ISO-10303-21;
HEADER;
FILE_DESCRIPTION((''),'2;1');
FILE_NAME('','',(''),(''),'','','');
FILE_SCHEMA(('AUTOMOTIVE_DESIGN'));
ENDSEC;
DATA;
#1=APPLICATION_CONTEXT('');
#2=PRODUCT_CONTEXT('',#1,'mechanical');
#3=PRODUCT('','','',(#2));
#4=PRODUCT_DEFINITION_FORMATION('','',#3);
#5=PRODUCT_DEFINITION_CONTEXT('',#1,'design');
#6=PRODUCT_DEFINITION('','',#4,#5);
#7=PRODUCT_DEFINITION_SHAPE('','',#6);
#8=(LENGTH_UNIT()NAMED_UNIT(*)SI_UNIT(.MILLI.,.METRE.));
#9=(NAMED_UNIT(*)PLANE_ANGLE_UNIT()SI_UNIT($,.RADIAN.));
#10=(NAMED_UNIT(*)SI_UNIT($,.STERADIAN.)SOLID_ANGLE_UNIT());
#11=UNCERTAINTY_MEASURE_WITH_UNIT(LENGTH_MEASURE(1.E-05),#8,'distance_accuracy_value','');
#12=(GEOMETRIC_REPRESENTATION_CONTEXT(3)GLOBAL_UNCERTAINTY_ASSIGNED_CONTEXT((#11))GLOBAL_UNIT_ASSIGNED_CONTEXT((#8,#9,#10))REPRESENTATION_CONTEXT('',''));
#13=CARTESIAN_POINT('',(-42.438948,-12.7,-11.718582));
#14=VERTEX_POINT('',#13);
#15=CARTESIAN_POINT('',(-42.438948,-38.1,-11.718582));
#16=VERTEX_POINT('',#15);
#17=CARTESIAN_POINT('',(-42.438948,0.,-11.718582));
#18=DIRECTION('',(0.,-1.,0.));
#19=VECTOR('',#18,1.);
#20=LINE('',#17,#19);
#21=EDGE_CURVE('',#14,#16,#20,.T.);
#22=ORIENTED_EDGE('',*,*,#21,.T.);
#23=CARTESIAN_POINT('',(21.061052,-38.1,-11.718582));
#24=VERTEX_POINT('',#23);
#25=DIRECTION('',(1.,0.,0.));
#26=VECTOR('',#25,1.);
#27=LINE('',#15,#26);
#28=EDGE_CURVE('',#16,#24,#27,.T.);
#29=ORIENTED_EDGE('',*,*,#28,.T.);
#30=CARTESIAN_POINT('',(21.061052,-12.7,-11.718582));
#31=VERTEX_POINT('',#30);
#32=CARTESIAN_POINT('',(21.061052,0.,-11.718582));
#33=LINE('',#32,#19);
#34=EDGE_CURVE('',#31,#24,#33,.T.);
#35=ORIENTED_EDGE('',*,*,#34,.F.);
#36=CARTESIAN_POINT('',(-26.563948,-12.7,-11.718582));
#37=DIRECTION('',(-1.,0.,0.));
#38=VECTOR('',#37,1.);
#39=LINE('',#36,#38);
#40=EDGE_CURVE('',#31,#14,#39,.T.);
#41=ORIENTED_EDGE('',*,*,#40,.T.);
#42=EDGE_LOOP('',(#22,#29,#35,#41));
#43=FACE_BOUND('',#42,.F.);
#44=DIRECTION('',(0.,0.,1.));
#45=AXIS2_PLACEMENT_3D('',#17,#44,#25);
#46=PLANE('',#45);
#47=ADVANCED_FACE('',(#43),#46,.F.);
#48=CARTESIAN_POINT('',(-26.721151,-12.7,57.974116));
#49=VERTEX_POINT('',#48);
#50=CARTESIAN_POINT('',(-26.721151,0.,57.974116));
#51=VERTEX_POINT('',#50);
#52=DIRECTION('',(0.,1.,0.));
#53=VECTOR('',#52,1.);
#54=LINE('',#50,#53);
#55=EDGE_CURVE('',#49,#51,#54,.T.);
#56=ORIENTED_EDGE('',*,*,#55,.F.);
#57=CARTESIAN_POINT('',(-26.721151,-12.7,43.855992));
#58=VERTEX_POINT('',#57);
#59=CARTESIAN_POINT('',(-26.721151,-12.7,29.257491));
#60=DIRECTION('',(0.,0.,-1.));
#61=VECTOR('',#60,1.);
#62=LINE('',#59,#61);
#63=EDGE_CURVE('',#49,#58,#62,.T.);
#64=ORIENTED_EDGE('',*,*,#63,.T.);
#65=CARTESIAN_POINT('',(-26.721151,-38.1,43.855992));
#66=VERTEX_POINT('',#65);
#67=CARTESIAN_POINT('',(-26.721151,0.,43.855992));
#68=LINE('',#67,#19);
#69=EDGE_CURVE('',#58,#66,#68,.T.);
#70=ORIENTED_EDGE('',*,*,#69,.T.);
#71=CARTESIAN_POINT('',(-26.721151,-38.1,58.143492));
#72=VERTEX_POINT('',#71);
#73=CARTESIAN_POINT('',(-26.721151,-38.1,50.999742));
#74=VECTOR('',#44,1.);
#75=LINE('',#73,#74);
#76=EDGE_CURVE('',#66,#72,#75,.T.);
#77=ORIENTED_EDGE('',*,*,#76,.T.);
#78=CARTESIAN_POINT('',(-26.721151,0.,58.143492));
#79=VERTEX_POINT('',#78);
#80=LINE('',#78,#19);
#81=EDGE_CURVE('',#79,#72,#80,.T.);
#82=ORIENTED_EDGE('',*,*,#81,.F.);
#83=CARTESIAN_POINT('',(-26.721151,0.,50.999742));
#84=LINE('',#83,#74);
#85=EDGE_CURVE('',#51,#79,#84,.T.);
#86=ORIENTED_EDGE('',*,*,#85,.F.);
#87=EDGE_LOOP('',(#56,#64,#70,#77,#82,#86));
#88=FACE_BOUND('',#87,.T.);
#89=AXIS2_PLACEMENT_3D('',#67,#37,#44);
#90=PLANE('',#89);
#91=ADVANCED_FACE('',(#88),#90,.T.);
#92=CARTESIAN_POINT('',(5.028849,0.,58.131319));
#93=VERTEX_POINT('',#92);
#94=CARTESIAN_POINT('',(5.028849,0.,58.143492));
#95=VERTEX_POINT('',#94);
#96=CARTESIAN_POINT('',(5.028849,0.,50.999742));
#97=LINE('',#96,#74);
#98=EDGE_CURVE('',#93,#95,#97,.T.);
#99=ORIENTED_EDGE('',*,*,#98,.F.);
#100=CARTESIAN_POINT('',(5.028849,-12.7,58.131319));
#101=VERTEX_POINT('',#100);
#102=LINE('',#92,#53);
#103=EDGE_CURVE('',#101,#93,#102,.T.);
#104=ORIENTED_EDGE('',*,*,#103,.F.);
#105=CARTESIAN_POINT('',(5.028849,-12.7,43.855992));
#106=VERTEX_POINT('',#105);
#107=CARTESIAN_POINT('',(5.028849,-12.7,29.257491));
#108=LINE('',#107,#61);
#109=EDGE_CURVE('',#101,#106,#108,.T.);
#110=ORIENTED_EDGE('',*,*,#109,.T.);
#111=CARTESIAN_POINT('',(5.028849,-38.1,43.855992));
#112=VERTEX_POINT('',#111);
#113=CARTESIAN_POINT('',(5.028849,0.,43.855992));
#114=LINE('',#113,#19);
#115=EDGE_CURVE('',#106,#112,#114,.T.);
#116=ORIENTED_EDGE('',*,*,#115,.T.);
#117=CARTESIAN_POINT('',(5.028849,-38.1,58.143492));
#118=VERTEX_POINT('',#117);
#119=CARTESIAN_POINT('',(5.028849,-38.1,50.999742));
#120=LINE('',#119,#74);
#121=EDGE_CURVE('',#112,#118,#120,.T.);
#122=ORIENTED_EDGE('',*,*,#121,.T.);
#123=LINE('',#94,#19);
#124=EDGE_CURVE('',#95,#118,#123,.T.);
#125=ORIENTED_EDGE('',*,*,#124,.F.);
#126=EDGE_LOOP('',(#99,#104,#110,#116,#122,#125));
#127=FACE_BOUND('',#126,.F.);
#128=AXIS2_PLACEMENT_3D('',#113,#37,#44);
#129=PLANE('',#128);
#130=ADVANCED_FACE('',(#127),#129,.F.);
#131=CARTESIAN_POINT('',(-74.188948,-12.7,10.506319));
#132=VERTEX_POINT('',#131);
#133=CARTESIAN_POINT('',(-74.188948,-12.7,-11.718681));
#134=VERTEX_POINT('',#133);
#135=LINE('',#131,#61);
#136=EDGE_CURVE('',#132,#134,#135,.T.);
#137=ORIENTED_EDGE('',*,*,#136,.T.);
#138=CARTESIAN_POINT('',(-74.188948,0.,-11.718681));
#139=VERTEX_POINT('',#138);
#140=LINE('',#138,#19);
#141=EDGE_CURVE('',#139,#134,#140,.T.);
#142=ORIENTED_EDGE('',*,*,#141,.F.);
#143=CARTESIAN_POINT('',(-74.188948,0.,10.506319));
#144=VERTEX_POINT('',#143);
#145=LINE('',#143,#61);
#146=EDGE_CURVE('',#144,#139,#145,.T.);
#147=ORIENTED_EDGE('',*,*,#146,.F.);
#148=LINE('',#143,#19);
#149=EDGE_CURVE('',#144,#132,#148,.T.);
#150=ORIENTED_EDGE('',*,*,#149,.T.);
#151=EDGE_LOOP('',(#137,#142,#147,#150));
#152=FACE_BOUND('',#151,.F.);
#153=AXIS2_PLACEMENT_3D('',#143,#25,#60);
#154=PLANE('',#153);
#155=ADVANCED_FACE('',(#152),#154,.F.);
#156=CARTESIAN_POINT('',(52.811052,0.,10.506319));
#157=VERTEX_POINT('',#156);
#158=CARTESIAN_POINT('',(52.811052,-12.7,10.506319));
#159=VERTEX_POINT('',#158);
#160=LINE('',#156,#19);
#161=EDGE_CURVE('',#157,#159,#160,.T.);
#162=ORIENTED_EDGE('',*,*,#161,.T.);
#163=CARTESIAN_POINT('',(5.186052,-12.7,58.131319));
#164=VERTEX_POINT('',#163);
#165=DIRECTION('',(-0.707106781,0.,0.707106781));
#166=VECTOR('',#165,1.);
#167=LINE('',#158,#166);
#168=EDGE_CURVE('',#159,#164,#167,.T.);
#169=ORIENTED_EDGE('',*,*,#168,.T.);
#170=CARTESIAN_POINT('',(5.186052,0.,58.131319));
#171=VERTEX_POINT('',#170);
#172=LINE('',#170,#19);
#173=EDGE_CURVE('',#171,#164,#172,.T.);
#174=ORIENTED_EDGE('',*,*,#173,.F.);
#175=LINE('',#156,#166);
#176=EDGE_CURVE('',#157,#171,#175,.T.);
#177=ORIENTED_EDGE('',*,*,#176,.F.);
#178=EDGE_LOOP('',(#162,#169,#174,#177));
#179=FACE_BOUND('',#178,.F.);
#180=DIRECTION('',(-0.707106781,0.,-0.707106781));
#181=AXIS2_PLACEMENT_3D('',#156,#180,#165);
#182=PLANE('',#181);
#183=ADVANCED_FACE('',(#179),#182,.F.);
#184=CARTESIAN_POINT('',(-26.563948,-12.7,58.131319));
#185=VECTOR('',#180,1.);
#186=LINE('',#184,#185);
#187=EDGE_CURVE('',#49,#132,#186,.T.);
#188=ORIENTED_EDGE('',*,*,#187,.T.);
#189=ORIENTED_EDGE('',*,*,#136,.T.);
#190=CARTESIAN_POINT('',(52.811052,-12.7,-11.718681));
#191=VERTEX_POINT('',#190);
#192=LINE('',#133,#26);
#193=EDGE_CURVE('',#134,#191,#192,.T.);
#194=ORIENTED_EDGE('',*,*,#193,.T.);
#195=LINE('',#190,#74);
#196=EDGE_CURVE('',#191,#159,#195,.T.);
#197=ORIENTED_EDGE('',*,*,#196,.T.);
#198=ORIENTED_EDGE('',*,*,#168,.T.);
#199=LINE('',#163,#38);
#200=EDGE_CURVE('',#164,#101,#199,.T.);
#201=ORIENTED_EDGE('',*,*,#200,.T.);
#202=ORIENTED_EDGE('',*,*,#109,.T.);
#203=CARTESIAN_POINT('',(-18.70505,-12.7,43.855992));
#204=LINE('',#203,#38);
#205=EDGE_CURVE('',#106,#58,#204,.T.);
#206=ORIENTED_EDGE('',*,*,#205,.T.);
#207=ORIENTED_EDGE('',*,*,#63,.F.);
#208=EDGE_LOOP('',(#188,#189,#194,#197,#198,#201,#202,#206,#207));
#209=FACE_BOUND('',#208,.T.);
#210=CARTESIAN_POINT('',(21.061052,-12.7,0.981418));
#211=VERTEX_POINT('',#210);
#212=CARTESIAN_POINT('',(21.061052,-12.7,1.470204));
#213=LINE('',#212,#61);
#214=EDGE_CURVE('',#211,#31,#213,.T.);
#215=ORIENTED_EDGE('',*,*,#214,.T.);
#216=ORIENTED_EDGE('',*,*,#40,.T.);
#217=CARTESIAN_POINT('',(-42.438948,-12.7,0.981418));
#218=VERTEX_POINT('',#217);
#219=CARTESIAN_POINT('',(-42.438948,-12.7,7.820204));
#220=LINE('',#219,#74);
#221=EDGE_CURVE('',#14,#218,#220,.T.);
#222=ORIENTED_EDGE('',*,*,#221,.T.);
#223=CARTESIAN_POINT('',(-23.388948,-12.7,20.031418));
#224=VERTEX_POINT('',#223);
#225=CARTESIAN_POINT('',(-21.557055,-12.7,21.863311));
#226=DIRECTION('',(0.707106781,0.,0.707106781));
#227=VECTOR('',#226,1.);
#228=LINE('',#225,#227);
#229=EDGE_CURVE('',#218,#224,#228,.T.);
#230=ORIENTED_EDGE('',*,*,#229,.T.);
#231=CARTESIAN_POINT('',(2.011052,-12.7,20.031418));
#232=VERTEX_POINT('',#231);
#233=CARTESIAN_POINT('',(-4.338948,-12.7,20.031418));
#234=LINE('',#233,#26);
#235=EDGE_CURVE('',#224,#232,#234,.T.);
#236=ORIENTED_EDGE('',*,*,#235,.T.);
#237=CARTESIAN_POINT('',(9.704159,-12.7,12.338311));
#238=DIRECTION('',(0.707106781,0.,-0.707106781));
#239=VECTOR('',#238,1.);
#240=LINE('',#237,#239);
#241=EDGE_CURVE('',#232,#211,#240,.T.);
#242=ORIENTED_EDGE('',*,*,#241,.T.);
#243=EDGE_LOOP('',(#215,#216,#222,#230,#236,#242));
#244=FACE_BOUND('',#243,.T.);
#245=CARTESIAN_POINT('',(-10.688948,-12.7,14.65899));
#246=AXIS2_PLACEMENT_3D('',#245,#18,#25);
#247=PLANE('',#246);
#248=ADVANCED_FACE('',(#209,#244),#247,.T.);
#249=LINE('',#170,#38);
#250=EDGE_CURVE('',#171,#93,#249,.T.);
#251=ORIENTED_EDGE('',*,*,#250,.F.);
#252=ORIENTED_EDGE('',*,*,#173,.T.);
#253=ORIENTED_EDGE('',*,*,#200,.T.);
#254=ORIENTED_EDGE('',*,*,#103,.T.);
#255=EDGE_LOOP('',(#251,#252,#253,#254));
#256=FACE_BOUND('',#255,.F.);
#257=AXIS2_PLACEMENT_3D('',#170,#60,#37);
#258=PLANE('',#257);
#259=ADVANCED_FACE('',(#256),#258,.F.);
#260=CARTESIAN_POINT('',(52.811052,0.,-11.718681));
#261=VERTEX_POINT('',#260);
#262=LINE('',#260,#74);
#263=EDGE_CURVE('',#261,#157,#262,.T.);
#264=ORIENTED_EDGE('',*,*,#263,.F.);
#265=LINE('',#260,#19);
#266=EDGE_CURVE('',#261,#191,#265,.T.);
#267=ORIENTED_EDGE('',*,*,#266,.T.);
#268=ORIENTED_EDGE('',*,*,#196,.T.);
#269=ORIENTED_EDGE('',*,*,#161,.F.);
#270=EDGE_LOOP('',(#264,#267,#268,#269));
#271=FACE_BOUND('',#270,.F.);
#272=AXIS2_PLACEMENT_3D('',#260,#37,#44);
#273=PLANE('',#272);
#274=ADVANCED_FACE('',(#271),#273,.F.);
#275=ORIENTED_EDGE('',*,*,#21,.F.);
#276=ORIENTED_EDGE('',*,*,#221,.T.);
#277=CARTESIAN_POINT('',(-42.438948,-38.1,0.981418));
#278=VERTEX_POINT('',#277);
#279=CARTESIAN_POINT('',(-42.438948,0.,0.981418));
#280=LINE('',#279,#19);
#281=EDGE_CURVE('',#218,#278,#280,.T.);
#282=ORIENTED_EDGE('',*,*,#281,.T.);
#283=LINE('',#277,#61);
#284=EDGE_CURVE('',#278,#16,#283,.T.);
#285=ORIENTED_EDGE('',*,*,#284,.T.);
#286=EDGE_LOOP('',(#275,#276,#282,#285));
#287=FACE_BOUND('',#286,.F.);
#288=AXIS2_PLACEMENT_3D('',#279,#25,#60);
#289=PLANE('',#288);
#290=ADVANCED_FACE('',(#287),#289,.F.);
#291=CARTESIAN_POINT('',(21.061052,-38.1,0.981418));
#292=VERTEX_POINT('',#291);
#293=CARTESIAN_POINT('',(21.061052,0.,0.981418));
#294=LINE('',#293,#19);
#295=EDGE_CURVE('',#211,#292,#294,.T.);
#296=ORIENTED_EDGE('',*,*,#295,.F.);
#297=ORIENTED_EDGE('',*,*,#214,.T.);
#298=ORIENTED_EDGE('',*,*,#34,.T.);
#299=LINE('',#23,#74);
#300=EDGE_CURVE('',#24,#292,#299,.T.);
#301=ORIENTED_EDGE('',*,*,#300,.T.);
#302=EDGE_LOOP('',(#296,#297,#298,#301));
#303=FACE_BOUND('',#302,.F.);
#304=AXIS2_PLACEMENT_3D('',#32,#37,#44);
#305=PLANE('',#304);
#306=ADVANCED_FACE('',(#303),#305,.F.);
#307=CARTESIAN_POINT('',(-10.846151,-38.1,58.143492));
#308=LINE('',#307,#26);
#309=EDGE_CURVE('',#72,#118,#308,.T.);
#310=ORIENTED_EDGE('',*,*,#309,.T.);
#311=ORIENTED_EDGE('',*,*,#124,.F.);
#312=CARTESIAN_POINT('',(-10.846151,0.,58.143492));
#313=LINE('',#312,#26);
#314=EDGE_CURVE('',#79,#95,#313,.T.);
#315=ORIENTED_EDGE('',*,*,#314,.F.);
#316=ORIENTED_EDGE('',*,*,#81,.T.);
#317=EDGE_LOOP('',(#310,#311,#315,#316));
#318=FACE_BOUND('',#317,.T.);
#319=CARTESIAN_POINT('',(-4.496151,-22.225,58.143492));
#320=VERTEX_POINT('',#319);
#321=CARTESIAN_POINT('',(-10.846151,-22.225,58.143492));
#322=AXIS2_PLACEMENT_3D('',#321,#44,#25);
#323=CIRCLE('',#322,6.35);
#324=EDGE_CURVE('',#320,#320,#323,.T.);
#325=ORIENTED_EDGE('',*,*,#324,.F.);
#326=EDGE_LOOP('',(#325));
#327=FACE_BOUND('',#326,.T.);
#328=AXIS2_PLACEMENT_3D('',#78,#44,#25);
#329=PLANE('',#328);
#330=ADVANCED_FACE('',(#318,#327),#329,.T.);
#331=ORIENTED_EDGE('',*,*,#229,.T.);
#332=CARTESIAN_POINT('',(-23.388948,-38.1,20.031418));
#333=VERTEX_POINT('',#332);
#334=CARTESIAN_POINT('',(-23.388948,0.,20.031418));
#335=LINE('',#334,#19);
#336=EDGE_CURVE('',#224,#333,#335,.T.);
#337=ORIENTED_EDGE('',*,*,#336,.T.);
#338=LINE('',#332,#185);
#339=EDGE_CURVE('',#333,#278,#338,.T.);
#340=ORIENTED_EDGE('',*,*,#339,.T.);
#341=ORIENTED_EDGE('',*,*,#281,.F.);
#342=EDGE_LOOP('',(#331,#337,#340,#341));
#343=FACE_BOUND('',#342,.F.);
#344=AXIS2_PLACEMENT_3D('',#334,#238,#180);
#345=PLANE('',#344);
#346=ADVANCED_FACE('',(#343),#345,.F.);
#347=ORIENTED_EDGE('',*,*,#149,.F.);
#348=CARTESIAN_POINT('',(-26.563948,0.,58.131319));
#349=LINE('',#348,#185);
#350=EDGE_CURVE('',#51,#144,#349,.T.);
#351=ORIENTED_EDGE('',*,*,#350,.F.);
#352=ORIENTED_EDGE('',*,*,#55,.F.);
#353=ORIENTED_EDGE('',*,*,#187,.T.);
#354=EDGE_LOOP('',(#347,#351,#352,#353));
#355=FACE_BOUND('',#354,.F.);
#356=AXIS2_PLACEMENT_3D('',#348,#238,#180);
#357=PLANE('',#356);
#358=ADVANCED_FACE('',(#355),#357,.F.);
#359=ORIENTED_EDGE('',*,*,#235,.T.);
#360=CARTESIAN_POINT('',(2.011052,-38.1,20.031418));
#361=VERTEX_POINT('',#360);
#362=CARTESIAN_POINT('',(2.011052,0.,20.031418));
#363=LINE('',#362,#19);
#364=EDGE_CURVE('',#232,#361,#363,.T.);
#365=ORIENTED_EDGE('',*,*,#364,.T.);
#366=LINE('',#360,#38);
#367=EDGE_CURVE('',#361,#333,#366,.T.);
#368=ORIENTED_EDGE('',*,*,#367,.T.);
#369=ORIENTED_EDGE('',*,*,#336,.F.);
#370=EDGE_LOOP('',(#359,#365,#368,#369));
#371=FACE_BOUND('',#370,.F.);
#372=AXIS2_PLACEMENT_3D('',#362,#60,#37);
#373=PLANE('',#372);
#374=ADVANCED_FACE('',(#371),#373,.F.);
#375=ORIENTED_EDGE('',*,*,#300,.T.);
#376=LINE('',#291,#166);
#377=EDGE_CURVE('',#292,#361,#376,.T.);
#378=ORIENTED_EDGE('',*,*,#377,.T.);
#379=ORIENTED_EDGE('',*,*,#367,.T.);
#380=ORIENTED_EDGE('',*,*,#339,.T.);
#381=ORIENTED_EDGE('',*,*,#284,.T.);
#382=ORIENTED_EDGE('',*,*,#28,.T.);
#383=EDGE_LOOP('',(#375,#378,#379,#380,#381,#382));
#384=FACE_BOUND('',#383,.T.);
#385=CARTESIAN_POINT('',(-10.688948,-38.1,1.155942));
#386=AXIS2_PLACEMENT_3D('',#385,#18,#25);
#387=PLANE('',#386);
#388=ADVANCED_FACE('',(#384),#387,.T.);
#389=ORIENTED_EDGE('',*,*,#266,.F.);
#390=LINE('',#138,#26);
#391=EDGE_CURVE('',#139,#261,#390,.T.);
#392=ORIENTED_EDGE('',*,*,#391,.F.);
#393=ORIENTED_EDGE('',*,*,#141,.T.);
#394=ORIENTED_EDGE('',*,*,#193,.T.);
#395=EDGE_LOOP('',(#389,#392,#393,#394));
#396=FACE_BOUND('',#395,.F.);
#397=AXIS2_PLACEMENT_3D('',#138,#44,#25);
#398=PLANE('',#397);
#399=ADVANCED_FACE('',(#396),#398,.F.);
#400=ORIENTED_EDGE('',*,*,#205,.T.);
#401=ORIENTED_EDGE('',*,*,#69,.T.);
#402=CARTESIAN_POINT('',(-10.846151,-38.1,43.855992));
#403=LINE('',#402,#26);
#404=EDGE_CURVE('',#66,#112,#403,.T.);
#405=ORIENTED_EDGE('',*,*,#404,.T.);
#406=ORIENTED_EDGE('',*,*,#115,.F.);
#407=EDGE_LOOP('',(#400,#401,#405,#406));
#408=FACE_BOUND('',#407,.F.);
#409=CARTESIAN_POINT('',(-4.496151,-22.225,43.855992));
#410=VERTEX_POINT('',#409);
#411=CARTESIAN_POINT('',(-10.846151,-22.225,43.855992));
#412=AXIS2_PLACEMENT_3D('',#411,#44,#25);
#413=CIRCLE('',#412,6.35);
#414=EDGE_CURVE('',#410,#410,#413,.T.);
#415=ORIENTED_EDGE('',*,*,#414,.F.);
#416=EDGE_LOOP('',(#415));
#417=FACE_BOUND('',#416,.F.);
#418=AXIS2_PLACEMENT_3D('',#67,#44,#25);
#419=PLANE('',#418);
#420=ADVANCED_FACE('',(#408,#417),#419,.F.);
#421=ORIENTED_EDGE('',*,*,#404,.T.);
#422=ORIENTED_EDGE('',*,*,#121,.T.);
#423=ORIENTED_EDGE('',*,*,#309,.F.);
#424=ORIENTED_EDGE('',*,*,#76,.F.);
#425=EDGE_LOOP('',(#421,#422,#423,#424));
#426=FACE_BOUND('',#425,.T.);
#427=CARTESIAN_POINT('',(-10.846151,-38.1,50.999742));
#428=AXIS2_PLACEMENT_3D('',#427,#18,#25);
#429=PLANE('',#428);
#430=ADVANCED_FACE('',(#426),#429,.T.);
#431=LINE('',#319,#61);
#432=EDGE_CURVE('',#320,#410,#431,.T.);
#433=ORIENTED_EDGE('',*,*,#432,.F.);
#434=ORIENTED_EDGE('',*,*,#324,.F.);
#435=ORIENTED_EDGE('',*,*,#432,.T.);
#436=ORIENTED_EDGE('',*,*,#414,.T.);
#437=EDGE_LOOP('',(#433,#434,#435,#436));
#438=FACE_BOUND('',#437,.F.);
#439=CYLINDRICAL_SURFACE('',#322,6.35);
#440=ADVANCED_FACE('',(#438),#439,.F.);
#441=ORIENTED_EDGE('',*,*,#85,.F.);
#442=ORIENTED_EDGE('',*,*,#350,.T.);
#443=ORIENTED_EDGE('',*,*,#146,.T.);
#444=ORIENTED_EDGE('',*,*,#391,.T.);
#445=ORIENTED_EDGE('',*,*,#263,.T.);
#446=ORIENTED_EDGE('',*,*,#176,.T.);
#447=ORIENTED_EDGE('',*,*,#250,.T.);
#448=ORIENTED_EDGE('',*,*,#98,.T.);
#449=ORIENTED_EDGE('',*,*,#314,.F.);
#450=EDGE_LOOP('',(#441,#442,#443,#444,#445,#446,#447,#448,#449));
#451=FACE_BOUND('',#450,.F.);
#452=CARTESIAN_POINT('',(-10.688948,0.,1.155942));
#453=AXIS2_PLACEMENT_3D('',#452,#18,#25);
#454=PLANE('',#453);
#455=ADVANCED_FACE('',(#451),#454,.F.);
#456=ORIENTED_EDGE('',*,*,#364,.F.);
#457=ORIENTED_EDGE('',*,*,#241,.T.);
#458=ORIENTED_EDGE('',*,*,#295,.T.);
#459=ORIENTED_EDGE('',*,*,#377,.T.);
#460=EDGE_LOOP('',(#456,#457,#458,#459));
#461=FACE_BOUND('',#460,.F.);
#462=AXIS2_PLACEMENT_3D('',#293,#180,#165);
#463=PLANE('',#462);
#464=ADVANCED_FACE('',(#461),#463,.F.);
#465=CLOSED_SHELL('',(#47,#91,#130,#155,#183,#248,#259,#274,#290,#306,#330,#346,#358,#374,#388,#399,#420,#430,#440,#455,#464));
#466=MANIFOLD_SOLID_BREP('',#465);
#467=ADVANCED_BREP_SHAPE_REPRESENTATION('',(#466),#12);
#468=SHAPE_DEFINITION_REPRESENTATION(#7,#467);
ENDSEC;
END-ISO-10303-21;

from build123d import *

# Parameters (mm, degrees)
F1_DEPTH = 12.7
F3_DEPTH = 38.1
F4_W     = 31.75
F4_H     = 14.2875
F5_DEPTH = 38.1
F6_R     = 6.35
F7_DEPTH = 14.2875


with BuildPart() as f1:
    # F0 (on Front) → F1 (new body)
    with BuildSketch(Plane.XZ):
        Polygon((-74.188948, 10.506319), (-74.188948, -11.718681), (52.811052, -11.718681), (52.811052, 10.506319), (5.186052, 58.131319), (-26.563948, 58.131319), align=None)
    extrude(amount=F1_DEPTH)

    # F2 (on Front) → F3 (join)
    with BuildSketch(Plane.XZ):
        Polygon((-42.438948, 0.981418), (-42.438948, -11.718582), (21.061052, -11.718582), (21.061052, 0.981418), (2.011052, 20.031418), (-23.388948, 20.031418), align=None)
    extrude(amount=F3_DEPTH)

    # F4 (on Front) → F5 (join)
    with BuildSketch(Plane.XZ):
        with Locations((-10.846151, 50.999742)):
            Rectangle(F4_W, F4_H)
    extrude(amount=F5_DEPTH)

    # F6 (on face) → F7 (cut)
    with BuildSketch(Plane.XY.offset(58.143492)):
        with Locations((-10.846151, -22.225)):
            Circle(F6_R)
    extrude(amount=-F7_DEPTH, mode=Mode.SUBTRACT)


solid = f1.part
